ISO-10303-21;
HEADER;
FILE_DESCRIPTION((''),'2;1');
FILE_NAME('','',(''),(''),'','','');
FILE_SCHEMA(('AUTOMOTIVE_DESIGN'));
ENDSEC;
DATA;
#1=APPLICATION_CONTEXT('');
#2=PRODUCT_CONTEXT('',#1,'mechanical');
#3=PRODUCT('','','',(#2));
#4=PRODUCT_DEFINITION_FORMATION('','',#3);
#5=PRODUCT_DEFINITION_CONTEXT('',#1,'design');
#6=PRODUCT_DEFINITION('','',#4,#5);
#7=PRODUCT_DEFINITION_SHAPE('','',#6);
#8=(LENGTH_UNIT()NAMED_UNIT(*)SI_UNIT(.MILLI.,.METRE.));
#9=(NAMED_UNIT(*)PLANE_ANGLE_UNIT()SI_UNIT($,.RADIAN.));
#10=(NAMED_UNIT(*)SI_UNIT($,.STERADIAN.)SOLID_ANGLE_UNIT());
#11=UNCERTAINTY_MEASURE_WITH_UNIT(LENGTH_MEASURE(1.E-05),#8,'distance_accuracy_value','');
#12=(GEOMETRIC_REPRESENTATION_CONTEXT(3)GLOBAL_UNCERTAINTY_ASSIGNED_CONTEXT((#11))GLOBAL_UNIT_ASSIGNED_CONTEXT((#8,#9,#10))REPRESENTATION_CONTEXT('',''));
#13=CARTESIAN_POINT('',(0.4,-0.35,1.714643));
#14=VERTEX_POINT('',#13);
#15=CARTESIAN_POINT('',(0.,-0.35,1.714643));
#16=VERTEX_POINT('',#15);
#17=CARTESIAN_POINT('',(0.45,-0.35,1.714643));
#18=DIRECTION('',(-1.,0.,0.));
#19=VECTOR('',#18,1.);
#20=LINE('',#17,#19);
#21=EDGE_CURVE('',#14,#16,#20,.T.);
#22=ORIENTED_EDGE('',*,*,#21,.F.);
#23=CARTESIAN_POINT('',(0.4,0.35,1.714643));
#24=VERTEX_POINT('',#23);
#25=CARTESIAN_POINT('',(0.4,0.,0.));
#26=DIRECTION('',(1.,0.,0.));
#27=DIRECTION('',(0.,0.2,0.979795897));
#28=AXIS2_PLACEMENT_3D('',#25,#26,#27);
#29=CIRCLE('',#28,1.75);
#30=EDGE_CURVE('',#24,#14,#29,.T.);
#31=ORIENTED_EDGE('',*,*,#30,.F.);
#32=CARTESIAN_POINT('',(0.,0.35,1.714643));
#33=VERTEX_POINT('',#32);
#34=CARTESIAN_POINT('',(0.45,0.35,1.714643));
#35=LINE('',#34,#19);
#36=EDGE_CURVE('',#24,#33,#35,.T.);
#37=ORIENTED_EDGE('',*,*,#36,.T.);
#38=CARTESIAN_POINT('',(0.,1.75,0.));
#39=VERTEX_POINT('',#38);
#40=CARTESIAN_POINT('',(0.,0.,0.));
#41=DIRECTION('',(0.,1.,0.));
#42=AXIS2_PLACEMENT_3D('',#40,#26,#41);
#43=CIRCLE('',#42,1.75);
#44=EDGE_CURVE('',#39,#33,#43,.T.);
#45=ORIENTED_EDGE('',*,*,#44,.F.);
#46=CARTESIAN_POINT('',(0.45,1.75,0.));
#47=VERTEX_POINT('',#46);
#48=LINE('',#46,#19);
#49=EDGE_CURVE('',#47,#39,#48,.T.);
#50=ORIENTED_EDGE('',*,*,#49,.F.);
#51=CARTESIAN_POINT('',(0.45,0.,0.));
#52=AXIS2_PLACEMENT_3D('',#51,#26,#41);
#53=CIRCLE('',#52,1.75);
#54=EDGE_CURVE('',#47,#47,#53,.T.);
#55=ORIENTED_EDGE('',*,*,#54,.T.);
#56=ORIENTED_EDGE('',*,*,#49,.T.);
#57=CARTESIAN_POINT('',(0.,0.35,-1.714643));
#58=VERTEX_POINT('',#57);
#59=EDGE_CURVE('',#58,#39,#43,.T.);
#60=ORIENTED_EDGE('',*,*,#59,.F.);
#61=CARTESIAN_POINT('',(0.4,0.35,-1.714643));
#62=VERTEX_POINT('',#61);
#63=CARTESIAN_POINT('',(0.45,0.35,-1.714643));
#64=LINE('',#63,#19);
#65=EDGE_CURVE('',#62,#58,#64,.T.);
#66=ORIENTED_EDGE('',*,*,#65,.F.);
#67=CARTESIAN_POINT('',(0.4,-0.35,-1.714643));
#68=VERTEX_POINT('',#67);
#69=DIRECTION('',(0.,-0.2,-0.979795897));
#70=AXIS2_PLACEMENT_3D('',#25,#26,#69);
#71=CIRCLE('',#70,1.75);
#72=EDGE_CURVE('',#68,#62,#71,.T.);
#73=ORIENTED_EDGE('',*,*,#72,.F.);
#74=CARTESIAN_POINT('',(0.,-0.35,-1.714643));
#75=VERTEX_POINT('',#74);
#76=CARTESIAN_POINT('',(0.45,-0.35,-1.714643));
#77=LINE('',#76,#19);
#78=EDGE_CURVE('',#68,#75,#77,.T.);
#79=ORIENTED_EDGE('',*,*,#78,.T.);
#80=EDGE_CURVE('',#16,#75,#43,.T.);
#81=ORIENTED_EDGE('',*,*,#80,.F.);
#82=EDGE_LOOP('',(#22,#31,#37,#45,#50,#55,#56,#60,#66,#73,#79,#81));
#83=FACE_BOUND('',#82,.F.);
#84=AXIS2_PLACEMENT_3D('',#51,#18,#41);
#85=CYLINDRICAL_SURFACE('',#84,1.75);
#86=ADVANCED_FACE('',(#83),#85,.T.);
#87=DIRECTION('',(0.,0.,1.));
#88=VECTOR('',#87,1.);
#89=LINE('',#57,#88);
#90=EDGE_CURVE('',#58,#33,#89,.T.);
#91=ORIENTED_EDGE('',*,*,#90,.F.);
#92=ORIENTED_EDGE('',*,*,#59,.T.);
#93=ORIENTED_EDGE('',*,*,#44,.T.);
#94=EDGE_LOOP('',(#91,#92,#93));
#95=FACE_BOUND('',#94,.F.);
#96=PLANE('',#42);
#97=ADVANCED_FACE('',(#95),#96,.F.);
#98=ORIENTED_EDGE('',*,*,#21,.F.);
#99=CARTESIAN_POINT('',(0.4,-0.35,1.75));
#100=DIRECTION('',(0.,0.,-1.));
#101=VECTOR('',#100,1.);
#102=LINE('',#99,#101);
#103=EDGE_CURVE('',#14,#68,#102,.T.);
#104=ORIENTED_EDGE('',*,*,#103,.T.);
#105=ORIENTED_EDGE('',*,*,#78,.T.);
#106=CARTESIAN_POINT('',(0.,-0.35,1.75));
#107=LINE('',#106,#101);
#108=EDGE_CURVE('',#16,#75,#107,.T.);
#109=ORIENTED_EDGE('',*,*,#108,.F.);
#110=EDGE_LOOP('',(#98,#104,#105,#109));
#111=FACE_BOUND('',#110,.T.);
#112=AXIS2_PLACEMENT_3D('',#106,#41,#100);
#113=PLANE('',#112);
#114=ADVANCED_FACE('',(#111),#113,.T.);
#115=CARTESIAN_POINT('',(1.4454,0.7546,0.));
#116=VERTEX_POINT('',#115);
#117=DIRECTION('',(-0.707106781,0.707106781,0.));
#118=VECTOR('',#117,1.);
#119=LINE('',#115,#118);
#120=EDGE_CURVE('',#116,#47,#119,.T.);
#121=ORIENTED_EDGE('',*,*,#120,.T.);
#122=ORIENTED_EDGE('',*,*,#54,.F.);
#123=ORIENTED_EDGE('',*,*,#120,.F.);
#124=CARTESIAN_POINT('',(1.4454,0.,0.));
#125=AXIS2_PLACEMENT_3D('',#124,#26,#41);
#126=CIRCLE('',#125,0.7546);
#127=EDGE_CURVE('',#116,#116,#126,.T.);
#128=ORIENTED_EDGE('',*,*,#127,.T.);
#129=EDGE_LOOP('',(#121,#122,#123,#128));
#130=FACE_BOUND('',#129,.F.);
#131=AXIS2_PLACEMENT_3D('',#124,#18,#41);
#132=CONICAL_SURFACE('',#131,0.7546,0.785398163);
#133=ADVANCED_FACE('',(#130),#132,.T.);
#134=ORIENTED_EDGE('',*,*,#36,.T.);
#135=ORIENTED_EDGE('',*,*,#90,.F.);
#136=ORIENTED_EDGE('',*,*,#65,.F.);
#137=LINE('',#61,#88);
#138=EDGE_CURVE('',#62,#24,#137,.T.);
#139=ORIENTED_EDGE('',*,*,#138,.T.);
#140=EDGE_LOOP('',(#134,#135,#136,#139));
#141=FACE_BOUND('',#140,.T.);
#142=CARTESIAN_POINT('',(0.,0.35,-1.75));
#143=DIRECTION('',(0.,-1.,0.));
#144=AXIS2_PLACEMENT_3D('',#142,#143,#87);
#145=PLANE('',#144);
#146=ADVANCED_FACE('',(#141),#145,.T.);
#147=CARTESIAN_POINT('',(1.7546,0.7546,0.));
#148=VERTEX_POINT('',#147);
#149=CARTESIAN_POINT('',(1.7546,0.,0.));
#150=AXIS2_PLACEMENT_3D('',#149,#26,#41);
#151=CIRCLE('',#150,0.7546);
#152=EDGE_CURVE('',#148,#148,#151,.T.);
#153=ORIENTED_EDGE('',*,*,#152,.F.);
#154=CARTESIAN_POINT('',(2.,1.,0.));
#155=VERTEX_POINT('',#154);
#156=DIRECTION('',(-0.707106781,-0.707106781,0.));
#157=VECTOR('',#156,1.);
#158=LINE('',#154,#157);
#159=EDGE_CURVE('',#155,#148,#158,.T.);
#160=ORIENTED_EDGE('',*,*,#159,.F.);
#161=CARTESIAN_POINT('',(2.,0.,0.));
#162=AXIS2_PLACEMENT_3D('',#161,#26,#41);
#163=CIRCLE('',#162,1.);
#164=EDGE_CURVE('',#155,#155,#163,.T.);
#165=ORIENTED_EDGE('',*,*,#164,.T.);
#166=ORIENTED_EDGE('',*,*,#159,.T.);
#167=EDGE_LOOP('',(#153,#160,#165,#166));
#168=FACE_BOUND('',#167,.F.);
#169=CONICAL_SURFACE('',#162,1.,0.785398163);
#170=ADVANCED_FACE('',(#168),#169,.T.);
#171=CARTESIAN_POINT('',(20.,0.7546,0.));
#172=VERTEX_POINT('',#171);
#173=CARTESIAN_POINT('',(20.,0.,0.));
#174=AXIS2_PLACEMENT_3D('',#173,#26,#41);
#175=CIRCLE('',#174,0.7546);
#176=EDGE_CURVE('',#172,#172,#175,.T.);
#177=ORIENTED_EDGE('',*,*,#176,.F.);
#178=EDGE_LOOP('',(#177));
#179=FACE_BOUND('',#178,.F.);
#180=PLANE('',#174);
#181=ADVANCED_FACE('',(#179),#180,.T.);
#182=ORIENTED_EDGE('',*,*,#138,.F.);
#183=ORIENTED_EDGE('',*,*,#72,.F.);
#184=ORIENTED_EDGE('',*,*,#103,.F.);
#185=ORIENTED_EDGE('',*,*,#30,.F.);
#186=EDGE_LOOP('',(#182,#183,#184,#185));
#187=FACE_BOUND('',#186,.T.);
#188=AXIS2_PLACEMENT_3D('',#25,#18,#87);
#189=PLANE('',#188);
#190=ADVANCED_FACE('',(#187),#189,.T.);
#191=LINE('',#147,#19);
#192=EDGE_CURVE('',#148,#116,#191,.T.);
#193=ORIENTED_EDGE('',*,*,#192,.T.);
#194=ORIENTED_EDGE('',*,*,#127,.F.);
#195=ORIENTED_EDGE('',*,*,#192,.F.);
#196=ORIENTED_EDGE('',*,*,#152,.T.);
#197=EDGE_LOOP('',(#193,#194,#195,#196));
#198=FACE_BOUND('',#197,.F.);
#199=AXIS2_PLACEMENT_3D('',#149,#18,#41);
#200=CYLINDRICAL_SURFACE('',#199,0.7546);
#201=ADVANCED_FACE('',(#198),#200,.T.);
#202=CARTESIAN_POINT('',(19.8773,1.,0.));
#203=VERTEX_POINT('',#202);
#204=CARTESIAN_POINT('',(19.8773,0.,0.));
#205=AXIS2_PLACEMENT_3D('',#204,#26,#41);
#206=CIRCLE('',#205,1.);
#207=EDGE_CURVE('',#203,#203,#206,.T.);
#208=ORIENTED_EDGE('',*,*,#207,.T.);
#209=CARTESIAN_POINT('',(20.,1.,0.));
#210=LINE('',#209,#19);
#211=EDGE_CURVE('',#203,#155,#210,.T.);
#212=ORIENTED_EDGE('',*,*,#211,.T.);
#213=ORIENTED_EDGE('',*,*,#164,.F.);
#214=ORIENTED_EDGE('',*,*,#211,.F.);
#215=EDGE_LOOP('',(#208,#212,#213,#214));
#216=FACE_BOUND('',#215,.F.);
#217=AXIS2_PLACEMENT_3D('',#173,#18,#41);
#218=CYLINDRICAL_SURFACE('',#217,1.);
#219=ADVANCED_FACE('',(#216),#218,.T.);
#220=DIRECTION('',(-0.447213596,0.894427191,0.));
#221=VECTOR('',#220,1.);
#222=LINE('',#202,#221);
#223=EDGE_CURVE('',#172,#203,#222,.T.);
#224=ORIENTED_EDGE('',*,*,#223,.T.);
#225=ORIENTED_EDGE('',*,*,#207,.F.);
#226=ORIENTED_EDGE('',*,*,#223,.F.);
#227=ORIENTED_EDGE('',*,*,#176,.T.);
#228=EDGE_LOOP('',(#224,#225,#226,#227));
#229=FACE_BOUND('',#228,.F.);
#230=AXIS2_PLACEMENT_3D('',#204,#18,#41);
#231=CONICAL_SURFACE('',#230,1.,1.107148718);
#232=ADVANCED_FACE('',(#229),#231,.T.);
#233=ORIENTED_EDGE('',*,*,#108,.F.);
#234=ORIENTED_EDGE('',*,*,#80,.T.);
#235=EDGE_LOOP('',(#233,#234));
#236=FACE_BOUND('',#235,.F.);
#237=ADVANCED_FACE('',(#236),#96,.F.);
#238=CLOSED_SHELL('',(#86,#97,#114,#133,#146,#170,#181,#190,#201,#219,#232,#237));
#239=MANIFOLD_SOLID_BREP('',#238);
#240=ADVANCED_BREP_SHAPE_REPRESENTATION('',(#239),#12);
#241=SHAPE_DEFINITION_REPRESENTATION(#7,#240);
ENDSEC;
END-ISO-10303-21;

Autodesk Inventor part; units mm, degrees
ref_plane "YZ Plane" through (0, 0, 0) normal (1, 0, 0) x (0, 1, 0)
ref_plane "XZ Plane" through (0, 0, 0) normal (0, 1, 0) x (-1, 0, 0)
sketch "Sketch1" plane through (0, 0, 0) normal (0, 0, 1) x (1, 0, 0)
  line L0 (0, 0) -> (20, 0)
  line L1 (20, 0) -> (20, 1)
  line L2 (20, 1) -> (2, 1)
  line L3 (2, 1) -> (1.7546, 0.7546)
  line L4 (1.7546, 0.7546) -> (1.4454, 0.7546)
  line L5 (1.4454, 0.7546) -> (0.45, 1.75)
  line L6 (0.45, 1.75) -> (0, 1.75)
  line L7 (0, 1.75) -> (0, 0)
  line L8 (2, 1) -> (1.2, 1) construction
  line L9 (-4, 0) -> (24, 0) projected
  line L10 (0, 2.1) -> (0, -0.35) projected
  dimension "d0" = 20
  dimension "d1" = 45
  dimension "d2" = 0.2454
  dimension "d3" = 18
  dimension "d4" = 1.2
  dimension "d5" = 1.5092
  dimension "d6" = 2
  dimension "d7" = 3.5
revolve "Body" add sketch "Sketch1" angle 360 about axis through (0, 0, 0) along (1, 0, 0)
sketch "Sketch2" plane through (0, 0, 0) normal (-1, 0, 0) x (0, 0, 1)
  line L0 (1.75, -0.35) -> (-1.75, -0.35)
  line L1 (-1.75, -0.35) -> (-1.75, 0.35)
  line L2 (-1.75, 0.35) -> (1.75, 0.35)
  line L3 (1.75, 0.35) -> (1.75, -0.35)
  line L4 (0, 0.35) -> (0, -0.35) construction
  line L5 (-1.75, 0) -> (1.75, 0) construction
  line L6 (0, 1.75) -> (0, 0) projected
  dimension "d15" = 0.7
  dimension "d16" = 3.5
extrude "Slot" cut sketch "Sketch2" against normal blind 0.4
thread "Thread" size "M2x0.4" class "6g" standard "ISO Metric profile" length 18
chamfer "Chamfer1" distance 0.2454 distance2 0.1227 1 edges at (20, -1, 0) measured on face at (20, -0.379, 0.3759)
ref_plane "Work Plane1" through (33.575, 0, 0) normal (0, 0, -1) x (1, 0, 0)
equation "\"d0\" = NLG"
equation "\"d1\" = 0.5 * SEWI"
equation "\"d2\" = GAL"
equation "\"d3\" = GEL"
equation "\"d4\" = KOH"
equation "\"d5\" = BDM"
equation "\"d6\" = GD"
equation "\"d7\" = KOD"
equation "\"d15\" = SBR"
equation "\"d16\" = KOD"
equation "\"d8\" = STI"
equation "\"d10\" = GEL"
equation "\"d12\" = -0.5 * SPD + 0.5 * GD"
equation "\"d13\" = 0.5 * GAL"
equation "\"NLG\" = 20"
equation "\"GAL\" = 0.61345 * PTC"
equation "\"GEL\" = 18"
equation "\"KOH\" = 1.2"
equation "\"KOD\" = 3.5"
equation "\"SEWI\" = 90deg"
equation "\"BDM\" = NND - 1.2269 * PTC"
equation "\"GD\" = NND"
equation "\"SBR\" = 0.7"
equation "\"STI\" = 0.4"
equation "\"SPD\" = NND - 1.2269 * PTC"
equation "\"GUL\" = 0.61345 * PTC"
equation "\"PTC\" = 0.4"
equation "\"EPV\" = 2.2"
equation "\"THREADDIA\" = 2"
equation "\"TOA\" = 30deg"
equation "\"RR\" = 0.2"
equation "\"NND\" = 2"
equation "\"GD1\" = THREADDIA - 1.2269 * PTC"
properties part number "AS 1427 - M2 x 20" material "Steel, Mild"
